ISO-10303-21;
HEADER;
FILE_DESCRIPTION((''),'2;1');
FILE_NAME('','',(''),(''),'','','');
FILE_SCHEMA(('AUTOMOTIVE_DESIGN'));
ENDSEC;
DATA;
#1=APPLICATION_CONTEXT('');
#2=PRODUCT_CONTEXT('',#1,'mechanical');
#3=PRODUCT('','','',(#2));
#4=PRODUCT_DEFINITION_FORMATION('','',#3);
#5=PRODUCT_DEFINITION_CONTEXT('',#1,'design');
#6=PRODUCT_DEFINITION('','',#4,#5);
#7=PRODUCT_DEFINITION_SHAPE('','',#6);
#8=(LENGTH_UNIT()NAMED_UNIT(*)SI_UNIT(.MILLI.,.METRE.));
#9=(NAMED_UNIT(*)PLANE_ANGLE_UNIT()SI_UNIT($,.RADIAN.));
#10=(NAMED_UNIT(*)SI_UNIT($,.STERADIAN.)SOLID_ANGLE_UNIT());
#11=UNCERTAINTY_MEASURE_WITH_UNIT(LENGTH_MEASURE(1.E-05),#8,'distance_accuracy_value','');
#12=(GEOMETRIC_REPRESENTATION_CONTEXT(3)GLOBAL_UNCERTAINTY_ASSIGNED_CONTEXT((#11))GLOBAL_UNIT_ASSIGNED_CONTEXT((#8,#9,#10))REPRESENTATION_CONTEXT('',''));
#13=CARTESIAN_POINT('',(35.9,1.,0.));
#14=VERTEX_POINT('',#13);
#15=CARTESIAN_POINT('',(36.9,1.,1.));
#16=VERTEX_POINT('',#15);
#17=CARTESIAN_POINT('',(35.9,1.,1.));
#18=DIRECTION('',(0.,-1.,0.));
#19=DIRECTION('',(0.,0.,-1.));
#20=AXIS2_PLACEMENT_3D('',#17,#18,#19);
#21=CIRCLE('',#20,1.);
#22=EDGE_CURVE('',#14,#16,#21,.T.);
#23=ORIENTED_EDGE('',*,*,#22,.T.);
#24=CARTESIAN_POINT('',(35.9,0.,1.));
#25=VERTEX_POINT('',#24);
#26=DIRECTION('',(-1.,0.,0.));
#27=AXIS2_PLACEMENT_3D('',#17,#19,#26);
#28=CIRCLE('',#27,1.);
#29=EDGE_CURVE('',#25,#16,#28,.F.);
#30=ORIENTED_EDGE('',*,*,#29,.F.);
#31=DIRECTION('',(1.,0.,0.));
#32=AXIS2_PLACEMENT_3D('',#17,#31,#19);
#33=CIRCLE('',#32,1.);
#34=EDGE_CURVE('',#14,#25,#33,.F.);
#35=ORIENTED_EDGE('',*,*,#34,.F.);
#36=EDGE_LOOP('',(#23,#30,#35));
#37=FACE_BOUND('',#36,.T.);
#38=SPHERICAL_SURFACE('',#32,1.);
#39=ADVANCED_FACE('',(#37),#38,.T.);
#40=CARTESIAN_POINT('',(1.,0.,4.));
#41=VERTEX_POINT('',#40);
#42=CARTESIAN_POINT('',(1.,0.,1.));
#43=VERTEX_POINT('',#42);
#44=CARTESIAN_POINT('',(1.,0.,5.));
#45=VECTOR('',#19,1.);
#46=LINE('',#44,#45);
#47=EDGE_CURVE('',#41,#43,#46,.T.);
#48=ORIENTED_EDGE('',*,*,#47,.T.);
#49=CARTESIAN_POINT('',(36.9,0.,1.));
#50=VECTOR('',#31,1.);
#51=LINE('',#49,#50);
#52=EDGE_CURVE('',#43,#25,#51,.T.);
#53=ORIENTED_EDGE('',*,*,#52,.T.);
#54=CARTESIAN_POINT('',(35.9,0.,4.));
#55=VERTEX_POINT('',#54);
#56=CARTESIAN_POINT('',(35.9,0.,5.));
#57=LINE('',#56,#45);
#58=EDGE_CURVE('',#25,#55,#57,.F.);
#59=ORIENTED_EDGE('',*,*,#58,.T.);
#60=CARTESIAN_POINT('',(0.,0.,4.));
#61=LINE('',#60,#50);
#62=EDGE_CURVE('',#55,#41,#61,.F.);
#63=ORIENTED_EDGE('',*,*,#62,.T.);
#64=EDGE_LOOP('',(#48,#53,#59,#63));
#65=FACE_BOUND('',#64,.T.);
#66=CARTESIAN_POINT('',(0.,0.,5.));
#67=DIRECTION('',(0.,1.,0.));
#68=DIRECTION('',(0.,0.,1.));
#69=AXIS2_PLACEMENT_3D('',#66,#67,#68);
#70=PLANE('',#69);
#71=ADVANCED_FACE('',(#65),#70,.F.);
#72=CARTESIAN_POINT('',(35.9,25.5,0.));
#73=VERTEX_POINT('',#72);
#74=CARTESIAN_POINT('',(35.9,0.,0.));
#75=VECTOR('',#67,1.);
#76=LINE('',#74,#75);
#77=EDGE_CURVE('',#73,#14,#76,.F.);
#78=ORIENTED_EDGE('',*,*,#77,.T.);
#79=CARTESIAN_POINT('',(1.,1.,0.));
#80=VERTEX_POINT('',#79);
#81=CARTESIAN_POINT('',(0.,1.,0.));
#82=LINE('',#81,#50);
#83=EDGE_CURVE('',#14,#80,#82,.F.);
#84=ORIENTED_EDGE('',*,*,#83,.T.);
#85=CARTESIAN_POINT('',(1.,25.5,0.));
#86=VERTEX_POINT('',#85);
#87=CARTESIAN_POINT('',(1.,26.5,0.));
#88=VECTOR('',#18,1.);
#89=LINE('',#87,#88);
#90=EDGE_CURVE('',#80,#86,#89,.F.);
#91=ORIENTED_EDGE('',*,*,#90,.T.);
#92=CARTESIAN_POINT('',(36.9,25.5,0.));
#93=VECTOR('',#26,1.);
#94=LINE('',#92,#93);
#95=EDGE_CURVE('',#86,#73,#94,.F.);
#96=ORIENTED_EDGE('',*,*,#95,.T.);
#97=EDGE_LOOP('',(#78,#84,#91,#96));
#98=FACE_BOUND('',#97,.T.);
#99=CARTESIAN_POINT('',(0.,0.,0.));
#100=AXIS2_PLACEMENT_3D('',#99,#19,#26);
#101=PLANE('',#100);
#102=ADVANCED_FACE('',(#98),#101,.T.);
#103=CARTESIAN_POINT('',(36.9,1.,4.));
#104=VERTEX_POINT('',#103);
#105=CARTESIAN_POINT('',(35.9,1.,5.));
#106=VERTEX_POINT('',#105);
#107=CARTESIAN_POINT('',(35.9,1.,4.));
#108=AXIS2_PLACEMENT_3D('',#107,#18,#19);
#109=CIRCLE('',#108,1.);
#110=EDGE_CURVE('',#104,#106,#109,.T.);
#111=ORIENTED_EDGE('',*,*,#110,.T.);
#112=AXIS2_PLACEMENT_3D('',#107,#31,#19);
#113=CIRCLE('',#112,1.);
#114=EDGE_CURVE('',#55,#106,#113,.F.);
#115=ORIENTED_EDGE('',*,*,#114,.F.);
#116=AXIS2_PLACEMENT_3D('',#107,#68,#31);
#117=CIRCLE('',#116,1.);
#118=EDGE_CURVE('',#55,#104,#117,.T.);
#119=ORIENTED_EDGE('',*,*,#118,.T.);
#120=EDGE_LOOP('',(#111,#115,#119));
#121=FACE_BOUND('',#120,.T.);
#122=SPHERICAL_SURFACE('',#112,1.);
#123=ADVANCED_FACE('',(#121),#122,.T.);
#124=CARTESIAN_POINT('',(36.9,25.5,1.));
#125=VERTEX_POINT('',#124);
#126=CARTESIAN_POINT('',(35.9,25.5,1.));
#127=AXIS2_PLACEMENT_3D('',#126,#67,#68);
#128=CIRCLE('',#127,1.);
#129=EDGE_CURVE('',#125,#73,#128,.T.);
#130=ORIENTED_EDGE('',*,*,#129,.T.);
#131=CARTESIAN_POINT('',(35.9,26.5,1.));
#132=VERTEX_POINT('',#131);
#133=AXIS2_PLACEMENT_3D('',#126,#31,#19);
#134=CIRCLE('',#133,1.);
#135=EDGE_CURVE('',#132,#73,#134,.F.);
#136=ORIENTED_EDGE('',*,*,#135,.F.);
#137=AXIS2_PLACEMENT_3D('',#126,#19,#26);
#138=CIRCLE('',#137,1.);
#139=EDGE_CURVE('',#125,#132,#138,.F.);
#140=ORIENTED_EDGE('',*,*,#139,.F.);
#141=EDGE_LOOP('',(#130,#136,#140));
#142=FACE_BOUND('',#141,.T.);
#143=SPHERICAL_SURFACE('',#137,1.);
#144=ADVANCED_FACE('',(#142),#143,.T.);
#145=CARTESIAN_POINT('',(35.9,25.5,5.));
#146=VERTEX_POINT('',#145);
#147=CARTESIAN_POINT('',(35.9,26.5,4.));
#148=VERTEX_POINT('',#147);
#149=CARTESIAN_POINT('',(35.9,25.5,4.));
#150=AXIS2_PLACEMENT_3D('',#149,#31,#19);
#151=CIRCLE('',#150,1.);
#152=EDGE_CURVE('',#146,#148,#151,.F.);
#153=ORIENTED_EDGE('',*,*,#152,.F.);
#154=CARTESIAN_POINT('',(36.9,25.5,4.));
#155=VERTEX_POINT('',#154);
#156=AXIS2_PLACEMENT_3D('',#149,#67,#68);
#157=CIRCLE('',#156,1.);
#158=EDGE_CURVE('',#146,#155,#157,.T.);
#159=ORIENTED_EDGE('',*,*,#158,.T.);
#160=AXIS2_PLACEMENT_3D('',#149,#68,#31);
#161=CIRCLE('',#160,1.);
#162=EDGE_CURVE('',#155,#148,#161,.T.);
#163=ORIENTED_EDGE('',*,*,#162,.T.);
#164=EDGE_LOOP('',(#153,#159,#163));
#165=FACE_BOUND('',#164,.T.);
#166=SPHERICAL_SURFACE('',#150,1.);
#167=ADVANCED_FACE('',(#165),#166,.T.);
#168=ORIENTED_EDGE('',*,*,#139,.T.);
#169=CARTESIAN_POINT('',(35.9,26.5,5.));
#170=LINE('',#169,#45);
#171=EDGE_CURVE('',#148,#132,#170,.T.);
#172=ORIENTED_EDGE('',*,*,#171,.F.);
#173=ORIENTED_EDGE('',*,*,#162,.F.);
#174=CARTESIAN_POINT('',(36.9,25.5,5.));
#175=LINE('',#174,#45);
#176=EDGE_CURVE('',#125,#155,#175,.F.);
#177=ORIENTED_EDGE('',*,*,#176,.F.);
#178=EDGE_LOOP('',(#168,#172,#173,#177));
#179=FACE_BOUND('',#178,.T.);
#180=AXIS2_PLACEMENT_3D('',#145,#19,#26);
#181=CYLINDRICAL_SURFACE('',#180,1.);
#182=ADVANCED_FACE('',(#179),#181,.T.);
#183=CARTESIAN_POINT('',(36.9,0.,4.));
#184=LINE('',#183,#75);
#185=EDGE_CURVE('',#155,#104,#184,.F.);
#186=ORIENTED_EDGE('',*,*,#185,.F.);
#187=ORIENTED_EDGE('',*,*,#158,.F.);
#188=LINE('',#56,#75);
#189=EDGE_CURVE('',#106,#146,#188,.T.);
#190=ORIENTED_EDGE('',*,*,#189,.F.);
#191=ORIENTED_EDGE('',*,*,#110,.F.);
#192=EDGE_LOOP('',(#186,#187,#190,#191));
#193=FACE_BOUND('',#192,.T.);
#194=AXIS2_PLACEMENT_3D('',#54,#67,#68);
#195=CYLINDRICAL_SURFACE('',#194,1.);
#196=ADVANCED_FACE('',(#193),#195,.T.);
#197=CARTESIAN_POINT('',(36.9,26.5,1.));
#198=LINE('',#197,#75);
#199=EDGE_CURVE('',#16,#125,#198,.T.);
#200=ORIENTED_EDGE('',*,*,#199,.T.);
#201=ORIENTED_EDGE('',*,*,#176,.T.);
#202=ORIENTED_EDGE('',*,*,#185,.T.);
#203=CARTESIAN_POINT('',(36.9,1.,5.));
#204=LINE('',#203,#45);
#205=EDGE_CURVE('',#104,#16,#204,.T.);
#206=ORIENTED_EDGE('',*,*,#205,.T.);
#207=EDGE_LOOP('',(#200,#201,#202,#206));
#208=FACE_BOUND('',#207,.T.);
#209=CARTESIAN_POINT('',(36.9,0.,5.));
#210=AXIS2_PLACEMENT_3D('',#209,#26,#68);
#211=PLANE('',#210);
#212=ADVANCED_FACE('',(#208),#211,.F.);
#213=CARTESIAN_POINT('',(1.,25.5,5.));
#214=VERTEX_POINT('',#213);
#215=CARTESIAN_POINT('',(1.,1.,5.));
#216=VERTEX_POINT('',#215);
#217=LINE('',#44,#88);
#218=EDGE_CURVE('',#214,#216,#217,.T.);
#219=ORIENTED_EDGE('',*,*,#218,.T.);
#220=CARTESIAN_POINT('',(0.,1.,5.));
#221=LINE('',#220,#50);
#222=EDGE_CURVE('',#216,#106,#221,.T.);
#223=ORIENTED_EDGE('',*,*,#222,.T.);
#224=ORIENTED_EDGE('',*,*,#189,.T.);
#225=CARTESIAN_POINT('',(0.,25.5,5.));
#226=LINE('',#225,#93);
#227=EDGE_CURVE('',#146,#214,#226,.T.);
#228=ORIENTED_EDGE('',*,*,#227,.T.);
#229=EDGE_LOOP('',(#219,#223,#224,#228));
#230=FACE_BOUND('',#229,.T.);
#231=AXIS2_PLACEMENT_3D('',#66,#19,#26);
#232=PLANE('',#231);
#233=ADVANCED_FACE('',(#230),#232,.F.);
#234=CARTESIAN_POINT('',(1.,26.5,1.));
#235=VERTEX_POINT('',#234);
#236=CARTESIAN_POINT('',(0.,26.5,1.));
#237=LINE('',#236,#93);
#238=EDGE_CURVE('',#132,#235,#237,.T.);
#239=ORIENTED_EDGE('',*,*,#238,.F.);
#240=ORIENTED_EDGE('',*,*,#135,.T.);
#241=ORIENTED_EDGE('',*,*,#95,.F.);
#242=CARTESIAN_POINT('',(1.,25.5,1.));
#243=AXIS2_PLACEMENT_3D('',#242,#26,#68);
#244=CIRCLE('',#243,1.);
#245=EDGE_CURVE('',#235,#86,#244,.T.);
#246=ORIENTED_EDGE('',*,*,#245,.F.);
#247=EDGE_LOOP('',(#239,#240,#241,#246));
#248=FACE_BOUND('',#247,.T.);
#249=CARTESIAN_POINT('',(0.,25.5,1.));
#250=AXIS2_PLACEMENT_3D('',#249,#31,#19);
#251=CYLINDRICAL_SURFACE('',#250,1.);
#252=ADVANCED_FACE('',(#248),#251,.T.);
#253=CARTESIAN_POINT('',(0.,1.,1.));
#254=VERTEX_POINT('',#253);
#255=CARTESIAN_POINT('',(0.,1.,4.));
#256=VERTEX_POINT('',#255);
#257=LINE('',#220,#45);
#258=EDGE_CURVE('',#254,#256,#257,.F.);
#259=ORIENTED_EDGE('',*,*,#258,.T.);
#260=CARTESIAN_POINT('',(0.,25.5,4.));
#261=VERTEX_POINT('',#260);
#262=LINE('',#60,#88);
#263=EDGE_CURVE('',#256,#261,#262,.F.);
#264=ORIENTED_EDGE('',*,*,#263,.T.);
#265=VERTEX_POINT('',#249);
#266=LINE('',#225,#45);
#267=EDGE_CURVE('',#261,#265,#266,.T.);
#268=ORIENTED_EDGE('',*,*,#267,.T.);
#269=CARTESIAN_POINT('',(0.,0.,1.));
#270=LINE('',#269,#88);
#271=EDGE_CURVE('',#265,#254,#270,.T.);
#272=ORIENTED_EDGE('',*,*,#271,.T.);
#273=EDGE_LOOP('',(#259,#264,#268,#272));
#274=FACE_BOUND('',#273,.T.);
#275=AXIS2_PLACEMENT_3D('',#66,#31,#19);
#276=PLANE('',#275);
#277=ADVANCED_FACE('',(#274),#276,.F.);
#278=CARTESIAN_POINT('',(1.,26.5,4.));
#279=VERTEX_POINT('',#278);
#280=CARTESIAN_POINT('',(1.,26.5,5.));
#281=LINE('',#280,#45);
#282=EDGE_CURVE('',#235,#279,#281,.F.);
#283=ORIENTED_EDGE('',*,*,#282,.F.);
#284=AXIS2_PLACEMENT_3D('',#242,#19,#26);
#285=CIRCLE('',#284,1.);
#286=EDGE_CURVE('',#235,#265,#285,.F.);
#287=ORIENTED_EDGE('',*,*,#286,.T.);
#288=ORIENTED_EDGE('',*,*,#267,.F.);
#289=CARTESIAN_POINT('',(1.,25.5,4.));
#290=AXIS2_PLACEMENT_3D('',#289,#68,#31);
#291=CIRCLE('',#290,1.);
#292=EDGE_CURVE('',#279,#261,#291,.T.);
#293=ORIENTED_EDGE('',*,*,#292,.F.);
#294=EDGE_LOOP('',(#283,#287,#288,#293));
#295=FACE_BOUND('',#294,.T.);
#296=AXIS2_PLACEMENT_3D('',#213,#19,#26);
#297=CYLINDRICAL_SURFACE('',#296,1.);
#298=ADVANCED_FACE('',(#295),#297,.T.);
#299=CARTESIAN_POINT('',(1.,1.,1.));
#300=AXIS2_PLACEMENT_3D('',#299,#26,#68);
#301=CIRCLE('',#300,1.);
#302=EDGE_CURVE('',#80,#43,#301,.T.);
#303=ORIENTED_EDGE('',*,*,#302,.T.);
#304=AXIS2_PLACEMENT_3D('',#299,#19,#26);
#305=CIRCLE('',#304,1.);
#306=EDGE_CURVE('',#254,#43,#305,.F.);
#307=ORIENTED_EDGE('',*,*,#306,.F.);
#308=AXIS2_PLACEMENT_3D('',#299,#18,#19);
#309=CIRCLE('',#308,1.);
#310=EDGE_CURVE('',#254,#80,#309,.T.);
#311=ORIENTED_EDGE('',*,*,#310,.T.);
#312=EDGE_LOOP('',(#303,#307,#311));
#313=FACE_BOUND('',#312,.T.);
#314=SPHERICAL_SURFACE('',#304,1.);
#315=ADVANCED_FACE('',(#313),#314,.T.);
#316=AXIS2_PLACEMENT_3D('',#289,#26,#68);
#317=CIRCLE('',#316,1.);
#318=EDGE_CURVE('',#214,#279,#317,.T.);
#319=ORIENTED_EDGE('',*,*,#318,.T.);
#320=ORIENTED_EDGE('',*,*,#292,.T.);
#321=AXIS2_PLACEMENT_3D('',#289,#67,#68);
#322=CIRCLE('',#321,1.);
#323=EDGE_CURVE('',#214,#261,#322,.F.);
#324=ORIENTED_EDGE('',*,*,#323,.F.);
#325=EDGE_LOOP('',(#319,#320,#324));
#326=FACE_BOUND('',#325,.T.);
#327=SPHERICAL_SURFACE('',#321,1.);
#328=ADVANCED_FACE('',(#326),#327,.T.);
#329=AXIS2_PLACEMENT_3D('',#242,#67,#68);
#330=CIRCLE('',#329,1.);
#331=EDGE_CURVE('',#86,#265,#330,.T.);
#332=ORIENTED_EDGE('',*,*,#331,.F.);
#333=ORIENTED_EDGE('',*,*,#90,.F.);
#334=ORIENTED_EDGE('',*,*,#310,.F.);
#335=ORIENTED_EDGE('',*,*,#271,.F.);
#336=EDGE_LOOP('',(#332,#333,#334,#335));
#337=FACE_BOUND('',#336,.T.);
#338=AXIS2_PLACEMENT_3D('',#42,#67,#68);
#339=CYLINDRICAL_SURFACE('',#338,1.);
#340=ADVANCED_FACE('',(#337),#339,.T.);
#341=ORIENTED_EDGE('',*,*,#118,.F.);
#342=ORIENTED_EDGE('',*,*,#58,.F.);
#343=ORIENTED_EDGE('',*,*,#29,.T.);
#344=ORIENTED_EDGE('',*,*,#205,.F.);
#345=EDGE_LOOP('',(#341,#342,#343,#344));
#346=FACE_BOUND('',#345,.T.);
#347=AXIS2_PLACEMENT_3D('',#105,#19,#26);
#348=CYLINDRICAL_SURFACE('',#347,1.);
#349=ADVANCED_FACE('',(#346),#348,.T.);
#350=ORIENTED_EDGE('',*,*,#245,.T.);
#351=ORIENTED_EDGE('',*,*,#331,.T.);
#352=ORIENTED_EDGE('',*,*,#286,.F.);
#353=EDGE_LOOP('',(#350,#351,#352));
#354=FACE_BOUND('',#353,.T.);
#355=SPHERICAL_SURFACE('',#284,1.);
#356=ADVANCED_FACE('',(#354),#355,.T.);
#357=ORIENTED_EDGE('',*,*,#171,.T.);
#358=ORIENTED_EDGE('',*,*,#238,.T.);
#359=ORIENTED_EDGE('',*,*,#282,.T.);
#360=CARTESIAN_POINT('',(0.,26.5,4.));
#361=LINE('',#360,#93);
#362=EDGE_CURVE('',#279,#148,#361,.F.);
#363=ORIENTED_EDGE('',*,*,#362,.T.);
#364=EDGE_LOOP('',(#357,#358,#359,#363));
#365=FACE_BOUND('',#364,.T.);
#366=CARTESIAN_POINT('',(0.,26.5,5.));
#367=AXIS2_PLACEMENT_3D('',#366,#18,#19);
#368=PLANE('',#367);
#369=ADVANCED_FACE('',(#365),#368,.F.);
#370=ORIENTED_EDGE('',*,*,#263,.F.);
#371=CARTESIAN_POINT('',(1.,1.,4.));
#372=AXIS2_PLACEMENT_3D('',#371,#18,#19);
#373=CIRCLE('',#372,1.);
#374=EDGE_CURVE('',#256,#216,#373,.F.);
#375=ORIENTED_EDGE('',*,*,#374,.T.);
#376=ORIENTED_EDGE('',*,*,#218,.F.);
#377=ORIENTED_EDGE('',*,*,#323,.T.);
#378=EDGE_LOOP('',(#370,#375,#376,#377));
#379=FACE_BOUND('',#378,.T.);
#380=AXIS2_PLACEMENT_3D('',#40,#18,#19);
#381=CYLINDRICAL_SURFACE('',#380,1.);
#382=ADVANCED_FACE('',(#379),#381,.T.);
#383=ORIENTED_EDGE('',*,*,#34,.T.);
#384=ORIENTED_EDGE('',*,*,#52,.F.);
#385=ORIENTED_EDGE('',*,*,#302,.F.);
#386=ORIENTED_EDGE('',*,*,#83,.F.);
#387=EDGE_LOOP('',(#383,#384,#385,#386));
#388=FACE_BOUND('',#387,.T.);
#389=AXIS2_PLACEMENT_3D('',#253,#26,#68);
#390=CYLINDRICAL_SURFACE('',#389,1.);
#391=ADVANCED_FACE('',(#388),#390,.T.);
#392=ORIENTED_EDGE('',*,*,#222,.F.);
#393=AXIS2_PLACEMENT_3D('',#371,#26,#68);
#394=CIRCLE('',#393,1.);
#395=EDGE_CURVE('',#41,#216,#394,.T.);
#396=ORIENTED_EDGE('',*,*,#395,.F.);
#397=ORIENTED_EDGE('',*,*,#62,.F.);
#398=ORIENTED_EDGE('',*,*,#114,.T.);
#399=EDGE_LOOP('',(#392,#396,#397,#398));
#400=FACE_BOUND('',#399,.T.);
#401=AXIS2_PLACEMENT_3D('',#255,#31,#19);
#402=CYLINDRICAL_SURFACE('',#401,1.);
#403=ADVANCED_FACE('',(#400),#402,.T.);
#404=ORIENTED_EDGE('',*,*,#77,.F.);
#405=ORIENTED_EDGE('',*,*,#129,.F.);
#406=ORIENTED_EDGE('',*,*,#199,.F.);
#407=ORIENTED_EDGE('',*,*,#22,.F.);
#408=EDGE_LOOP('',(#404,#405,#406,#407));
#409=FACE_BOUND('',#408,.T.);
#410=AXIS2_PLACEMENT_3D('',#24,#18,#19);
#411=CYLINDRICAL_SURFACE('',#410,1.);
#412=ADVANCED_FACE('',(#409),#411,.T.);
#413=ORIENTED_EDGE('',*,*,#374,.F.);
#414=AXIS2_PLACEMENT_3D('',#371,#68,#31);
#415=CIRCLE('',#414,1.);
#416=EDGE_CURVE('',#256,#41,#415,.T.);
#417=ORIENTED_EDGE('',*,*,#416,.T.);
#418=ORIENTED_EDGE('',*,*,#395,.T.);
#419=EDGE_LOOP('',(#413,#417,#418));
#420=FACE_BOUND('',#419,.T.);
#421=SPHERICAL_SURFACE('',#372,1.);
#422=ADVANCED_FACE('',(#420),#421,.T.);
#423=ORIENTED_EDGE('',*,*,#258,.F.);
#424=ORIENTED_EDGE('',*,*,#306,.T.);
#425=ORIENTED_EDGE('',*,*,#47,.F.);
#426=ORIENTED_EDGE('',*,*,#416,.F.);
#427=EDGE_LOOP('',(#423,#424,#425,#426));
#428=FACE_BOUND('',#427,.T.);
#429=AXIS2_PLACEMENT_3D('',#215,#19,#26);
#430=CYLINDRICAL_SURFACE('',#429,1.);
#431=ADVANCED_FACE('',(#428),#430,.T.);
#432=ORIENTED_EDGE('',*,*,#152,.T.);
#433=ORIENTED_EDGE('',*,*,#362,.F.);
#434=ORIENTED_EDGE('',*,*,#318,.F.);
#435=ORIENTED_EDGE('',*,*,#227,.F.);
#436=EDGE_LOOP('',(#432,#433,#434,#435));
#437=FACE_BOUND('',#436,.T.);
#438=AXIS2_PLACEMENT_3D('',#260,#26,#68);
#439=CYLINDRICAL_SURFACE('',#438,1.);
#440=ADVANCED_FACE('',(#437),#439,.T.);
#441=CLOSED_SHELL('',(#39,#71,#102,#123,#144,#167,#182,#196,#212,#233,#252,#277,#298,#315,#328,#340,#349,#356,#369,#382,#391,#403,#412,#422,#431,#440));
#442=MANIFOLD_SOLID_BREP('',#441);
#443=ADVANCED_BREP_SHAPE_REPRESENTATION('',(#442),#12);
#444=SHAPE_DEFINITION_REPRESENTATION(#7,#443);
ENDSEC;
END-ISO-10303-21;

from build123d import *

# Parameters (mm, degrees)
SKETCH1_W           = 36.9
SKETCH1_H           = 26.5
BOSS_EXTRUDE1_DEPTH = 5
FILLET1_R           = 1


with BuildPart() as part:
    # Sketch1 → Boss-Extrude1 (new body)
    with BuildSketch(Plane.XY):
        with Locations((18.45, 13.25)):
            Rectangle(SKETCH1_W, SKETCH1_H)
    extrude(amount=BOSS_EXTRUDE1_DEPTH)

    # Fillet1
    fillet1_edges = [part.edges().sort_by_distance(p)[0] for p in [
        (36.9, 13.25, 5),
        (18.45, 26.5, 5),
        (0, 13.25, 5),
        (18.45, 26.5, 0),
        (36.9, 13.25, 0),
        (18.45, 0, 0),
        (0, 13.25, 0),
        (0, 26.5, 2.5),
        (36.9, 26.5, 2.5),
        (36.9, 0, 2.5),
        (0, 0, 2.5),
        (18.45, 0, 5),
    ]]
    fillet(fillet1_edges, radius=FILLET1_R)


solid = part.part
